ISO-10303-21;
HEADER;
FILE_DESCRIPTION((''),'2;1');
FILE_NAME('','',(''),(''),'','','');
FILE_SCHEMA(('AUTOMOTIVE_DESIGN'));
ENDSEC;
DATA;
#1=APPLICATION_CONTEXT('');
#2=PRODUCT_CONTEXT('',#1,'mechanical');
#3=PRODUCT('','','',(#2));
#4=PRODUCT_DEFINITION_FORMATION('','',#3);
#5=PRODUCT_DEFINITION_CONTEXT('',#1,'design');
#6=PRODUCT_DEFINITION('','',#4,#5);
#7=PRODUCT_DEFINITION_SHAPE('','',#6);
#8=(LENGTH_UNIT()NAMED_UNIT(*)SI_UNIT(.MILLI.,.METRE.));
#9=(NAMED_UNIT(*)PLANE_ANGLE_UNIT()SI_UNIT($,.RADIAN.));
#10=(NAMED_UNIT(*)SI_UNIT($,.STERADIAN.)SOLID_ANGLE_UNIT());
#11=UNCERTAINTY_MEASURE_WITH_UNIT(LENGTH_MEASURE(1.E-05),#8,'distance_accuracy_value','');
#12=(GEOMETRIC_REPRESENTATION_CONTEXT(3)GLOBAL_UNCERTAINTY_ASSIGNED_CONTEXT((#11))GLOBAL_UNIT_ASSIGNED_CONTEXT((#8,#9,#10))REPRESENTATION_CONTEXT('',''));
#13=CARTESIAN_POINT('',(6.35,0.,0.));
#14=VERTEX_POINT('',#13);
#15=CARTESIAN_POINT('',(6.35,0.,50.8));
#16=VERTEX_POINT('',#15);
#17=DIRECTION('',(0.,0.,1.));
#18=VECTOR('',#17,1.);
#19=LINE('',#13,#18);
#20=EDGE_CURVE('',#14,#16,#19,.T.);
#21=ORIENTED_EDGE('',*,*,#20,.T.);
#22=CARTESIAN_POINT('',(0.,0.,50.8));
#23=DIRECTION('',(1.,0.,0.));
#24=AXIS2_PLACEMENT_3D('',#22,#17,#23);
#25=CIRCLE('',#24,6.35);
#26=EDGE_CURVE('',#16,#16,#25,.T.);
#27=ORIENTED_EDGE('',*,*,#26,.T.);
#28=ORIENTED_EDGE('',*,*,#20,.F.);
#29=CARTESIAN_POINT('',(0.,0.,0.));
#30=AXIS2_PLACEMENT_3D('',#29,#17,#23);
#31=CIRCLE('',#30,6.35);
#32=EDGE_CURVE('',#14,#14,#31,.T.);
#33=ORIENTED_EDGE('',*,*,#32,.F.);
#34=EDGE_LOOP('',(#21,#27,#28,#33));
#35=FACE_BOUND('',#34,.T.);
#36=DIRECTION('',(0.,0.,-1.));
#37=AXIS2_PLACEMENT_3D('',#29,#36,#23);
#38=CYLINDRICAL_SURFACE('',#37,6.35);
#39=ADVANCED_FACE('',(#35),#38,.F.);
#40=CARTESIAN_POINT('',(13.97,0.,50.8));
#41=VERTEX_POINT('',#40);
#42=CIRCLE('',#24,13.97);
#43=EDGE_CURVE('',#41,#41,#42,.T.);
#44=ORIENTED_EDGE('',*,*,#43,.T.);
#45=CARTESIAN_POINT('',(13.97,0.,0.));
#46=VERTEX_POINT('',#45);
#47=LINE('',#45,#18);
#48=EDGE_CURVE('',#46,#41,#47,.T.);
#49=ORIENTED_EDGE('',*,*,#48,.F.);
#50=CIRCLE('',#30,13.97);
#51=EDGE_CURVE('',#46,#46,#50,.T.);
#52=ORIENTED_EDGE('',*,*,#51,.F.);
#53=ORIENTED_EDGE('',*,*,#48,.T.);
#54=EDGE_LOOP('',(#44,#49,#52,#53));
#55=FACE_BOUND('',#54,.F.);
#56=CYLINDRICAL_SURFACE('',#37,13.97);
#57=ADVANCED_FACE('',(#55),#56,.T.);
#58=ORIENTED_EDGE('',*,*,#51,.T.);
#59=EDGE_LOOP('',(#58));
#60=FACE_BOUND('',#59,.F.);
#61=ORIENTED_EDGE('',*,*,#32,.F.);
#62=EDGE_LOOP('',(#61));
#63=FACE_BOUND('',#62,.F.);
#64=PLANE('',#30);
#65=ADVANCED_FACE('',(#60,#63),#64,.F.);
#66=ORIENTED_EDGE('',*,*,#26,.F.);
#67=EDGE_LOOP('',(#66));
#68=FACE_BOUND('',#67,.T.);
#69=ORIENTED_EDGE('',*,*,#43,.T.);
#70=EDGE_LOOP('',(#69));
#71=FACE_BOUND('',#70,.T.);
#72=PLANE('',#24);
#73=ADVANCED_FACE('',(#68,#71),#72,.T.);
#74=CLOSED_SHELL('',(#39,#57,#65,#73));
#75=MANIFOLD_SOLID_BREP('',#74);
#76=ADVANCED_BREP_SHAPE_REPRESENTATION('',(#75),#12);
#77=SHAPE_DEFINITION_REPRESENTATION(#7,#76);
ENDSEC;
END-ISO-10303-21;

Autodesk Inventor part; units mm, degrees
ref_plane "YZ Plane" through (0, 0, 0) normal (1, 0, 0) x (0, 1, 0)
ref_plane "XZ Plane" through (0, 0, 0) normal (0, 1, 0) x (-1, 0, 0)
ref_plane "XY Plane" through (0, 0, 0) normal (0, 0, 1) x (1, 0, 0)
sketch "Sketch1" plane through (0, 0, 0) normal (0, 0, 1) x (1, 0, 0)
  circle A0 centre (0, 0) radius 6.35
  circle A1 centre (0, 0) radius 13.97
  dimension "d0" = 12.7
  dimension "d1" = 27.94
extrude "Extrusion1" add sketch "Sketch1" along normal blind 50.8
sketch "Sketch2" plane through (0, 0, 50.8) normal (0, 0, 1) x (1, 0, 0)
  line L0 (0, 0) -> (0, -177.8) construction
  arc A0 (25.4, -177.8) -> (-25.4, -177.8) centre (0, -177.8) ccw
  arc A1 (38.1, -177.8) -> (-38.1, -177.8) centre (0, -177.8) ccw
  line L1 (0, -177.8) -> (-93.8038, -177.8) construction
  line L2 (0, -177.8) -> (9.382, -177.8)
  line L3 (9.382, -177.8) -> (72.78, -177.8) construction
  line L4 (-38.1, -177.8) -> (-25.4, -177.8) construction
  line L5 (-38.1, -177.8) -> (-25.4, -177.8)
  line L6 (25.4, -177.8) -> (38.1, -177.8)
  dimension "d5" = 50.8
  dimension "d6" = 76.2
  dimension "d7" = 177.8
properties part number "Biela"
